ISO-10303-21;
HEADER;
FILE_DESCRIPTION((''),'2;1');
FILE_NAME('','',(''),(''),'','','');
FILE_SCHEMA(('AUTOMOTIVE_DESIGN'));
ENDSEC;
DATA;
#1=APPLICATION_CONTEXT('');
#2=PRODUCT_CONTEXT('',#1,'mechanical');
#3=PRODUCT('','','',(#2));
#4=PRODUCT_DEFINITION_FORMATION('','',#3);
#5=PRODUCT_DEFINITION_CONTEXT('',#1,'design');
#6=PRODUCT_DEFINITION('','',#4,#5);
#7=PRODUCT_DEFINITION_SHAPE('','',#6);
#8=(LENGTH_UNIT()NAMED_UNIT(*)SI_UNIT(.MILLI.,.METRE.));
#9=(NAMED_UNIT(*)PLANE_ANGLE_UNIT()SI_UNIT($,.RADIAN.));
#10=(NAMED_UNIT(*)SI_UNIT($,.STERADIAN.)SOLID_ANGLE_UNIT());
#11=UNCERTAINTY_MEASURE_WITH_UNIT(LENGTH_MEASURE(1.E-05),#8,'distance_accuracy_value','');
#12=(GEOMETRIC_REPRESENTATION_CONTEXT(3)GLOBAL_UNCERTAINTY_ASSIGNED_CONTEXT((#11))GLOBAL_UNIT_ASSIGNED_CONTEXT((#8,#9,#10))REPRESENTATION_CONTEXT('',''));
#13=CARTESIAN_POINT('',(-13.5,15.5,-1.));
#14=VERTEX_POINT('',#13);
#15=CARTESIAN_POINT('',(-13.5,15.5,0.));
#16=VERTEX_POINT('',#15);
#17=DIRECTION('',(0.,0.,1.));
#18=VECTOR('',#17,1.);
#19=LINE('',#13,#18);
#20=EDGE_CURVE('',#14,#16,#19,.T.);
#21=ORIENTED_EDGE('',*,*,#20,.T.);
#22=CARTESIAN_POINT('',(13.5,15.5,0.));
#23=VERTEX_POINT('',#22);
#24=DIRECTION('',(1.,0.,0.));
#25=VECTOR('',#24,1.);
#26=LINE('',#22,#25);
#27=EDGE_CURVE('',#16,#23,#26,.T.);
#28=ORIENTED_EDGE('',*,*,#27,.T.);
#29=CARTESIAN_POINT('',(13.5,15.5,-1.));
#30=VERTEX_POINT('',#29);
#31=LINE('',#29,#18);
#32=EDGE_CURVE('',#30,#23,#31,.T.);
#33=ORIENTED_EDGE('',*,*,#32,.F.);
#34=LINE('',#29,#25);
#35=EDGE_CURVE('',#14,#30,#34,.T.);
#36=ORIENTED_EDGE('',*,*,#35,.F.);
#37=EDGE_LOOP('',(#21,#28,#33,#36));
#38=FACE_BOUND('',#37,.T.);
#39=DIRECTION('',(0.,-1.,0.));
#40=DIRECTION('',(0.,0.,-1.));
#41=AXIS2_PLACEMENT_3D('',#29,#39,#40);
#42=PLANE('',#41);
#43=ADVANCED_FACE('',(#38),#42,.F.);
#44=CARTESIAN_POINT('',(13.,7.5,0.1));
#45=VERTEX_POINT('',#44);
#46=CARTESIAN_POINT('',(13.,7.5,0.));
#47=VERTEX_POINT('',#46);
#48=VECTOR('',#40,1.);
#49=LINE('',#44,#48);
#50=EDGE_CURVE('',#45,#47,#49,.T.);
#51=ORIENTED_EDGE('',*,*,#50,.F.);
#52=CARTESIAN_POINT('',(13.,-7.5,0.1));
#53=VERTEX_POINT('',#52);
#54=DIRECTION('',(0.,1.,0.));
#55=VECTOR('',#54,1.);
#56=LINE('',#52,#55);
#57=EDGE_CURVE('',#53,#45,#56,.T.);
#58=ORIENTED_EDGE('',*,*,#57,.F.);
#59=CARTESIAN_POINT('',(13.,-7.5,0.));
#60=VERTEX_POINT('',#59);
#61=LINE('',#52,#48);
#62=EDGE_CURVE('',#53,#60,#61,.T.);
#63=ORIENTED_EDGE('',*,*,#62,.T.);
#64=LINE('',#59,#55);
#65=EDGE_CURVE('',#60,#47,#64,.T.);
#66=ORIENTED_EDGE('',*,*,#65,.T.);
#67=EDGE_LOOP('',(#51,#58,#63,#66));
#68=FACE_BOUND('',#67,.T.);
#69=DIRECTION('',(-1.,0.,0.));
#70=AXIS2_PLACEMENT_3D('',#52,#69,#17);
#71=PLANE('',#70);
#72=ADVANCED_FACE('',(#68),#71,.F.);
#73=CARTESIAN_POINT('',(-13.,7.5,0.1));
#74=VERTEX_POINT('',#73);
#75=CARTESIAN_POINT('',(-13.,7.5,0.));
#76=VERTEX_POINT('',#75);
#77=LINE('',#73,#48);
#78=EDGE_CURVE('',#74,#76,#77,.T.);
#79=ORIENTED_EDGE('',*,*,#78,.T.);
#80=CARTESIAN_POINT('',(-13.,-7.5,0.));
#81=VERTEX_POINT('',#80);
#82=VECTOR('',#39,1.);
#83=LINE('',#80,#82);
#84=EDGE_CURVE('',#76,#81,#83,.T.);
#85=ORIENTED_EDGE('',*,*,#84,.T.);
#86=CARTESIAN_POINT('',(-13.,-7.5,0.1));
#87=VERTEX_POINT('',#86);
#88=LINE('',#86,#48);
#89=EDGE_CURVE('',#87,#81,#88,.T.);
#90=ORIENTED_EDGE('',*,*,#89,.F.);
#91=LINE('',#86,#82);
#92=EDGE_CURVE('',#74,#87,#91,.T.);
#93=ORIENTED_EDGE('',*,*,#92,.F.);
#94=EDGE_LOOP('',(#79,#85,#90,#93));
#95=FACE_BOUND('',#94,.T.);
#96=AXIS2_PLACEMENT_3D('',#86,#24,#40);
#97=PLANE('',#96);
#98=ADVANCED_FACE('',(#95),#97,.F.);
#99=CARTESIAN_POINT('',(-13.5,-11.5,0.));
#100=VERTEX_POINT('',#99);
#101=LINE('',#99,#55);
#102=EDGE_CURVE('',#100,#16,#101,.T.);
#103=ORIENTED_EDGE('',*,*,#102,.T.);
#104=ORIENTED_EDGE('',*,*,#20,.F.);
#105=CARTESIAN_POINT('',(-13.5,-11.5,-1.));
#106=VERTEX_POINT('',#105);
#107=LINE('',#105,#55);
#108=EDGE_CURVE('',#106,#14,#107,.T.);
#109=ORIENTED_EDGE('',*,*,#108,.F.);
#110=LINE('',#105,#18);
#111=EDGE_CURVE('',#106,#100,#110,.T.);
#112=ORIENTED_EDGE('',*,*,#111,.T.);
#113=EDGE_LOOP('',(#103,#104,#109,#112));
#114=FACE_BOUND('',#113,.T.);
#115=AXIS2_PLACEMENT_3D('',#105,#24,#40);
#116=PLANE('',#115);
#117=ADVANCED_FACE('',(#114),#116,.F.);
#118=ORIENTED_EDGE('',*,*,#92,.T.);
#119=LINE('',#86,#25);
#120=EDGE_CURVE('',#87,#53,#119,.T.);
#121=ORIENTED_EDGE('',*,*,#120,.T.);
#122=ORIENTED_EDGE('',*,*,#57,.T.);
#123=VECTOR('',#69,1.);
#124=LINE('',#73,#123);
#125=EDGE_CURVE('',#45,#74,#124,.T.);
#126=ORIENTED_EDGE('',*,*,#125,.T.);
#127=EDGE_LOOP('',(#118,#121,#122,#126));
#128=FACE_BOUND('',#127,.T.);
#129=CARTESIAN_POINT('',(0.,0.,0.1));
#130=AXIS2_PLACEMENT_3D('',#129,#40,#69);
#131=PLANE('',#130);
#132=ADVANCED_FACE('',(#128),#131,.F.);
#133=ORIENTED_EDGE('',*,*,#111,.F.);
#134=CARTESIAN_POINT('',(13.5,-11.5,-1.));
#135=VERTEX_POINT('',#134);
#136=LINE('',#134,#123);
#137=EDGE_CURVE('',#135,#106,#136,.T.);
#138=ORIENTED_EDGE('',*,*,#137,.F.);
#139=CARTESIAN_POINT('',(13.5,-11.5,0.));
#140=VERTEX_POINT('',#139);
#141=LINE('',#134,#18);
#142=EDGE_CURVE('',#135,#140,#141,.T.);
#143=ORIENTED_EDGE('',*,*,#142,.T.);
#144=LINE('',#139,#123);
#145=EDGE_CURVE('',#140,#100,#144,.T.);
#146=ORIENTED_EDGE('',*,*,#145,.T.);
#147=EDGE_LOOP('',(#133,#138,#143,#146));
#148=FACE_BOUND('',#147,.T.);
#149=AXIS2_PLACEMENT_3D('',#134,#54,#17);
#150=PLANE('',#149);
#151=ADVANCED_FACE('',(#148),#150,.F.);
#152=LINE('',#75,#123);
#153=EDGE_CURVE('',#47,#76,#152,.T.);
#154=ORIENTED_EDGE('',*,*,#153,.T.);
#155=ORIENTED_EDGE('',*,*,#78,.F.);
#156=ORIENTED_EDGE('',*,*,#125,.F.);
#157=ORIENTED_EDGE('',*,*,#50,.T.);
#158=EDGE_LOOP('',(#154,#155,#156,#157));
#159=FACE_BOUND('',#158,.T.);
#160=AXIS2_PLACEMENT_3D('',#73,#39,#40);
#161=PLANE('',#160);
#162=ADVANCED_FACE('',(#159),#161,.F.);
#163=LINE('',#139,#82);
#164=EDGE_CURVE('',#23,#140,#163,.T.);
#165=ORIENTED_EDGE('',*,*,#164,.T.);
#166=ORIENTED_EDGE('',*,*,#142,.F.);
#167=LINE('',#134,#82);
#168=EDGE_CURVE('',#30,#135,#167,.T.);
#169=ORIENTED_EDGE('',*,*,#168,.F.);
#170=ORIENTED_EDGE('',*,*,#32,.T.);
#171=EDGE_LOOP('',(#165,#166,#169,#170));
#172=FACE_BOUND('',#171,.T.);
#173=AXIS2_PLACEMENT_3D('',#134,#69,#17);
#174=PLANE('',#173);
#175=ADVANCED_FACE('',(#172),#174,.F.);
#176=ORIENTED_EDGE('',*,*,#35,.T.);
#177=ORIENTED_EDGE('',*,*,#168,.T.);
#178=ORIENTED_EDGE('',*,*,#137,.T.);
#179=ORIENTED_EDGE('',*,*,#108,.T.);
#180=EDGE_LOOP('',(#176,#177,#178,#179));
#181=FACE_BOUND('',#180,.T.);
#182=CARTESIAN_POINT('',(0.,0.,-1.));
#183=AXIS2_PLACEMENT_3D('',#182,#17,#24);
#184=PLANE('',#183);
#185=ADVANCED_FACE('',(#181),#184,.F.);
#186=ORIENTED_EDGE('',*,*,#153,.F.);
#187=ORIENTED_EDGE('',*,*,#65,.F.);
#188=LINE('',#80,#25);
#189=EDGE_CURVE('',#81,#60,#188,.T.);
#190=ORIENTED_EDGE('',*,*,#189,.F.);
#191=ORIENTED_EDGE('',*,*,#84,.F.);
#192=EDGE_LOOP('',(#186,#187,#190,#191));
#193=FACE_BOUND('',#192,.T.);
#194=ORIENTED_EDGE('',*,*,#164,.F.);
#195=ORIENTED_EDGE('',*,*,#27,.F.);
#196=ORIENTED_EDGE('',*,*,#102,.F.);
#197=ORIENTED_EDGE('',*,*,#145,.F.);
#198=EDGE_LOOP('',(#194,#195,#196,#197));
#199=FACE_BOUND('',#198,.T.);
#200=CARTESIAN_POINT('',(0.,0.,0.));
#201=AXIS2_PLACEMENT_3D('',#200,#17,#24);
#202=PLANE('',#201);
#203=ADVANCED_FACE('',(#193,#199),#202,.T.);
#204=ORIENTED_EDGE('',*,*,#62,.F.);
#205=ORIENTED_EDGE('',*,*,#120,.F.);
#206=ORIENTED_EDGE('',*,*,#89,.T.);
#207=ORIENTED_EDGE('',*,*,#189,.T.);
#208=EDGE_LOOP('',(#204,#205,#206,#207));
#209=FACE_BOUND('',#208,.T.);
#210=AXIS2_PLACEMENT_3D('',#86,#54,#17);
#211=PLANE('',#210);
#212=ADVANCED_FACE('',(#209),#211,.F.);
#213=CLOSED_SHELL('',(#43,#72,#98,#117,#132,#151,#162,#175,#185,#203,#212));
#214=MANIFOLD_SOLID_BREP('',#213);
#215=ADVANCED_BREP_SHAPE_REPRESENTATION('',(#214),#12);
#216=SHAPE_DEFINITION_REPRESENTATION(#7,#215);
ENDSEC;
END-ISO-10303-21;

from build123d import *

# Parameters (mm, degrees)
SKETCH1_W           = 26
SKETCH1_H           = 15
BOSS_EXTRUDE1_DEPTH = 0.1
SKETCH2_W           = 27
SKETCH2_H           = 27
BOSS_EXTRUDE2_DEPTH = 1


with BuildPart() as part:
    # Sketch1 → Boss-Extrude1 (new body)
    with BuildSketch(Plane.XY):
        Rectangle(SKETCH1_W, SKETCH1_H)
    extrude(amount=BOSS_EXTRUDE1_DEPTH)

    # Sketch2 → Boss-Extrude2 (add)
    with BuildSketch(Plane(origin=(0, 0, 0), x_dir=(-1, 0, 0), z_dir=(0, 0, -1))):
        with Locations((0, 2)):
            Rectangle(SKETCH2_W, SKETCH2_H)
    extrude(amount=BOSS_EXTRUDE2_DEPTH)


solid = part.part
